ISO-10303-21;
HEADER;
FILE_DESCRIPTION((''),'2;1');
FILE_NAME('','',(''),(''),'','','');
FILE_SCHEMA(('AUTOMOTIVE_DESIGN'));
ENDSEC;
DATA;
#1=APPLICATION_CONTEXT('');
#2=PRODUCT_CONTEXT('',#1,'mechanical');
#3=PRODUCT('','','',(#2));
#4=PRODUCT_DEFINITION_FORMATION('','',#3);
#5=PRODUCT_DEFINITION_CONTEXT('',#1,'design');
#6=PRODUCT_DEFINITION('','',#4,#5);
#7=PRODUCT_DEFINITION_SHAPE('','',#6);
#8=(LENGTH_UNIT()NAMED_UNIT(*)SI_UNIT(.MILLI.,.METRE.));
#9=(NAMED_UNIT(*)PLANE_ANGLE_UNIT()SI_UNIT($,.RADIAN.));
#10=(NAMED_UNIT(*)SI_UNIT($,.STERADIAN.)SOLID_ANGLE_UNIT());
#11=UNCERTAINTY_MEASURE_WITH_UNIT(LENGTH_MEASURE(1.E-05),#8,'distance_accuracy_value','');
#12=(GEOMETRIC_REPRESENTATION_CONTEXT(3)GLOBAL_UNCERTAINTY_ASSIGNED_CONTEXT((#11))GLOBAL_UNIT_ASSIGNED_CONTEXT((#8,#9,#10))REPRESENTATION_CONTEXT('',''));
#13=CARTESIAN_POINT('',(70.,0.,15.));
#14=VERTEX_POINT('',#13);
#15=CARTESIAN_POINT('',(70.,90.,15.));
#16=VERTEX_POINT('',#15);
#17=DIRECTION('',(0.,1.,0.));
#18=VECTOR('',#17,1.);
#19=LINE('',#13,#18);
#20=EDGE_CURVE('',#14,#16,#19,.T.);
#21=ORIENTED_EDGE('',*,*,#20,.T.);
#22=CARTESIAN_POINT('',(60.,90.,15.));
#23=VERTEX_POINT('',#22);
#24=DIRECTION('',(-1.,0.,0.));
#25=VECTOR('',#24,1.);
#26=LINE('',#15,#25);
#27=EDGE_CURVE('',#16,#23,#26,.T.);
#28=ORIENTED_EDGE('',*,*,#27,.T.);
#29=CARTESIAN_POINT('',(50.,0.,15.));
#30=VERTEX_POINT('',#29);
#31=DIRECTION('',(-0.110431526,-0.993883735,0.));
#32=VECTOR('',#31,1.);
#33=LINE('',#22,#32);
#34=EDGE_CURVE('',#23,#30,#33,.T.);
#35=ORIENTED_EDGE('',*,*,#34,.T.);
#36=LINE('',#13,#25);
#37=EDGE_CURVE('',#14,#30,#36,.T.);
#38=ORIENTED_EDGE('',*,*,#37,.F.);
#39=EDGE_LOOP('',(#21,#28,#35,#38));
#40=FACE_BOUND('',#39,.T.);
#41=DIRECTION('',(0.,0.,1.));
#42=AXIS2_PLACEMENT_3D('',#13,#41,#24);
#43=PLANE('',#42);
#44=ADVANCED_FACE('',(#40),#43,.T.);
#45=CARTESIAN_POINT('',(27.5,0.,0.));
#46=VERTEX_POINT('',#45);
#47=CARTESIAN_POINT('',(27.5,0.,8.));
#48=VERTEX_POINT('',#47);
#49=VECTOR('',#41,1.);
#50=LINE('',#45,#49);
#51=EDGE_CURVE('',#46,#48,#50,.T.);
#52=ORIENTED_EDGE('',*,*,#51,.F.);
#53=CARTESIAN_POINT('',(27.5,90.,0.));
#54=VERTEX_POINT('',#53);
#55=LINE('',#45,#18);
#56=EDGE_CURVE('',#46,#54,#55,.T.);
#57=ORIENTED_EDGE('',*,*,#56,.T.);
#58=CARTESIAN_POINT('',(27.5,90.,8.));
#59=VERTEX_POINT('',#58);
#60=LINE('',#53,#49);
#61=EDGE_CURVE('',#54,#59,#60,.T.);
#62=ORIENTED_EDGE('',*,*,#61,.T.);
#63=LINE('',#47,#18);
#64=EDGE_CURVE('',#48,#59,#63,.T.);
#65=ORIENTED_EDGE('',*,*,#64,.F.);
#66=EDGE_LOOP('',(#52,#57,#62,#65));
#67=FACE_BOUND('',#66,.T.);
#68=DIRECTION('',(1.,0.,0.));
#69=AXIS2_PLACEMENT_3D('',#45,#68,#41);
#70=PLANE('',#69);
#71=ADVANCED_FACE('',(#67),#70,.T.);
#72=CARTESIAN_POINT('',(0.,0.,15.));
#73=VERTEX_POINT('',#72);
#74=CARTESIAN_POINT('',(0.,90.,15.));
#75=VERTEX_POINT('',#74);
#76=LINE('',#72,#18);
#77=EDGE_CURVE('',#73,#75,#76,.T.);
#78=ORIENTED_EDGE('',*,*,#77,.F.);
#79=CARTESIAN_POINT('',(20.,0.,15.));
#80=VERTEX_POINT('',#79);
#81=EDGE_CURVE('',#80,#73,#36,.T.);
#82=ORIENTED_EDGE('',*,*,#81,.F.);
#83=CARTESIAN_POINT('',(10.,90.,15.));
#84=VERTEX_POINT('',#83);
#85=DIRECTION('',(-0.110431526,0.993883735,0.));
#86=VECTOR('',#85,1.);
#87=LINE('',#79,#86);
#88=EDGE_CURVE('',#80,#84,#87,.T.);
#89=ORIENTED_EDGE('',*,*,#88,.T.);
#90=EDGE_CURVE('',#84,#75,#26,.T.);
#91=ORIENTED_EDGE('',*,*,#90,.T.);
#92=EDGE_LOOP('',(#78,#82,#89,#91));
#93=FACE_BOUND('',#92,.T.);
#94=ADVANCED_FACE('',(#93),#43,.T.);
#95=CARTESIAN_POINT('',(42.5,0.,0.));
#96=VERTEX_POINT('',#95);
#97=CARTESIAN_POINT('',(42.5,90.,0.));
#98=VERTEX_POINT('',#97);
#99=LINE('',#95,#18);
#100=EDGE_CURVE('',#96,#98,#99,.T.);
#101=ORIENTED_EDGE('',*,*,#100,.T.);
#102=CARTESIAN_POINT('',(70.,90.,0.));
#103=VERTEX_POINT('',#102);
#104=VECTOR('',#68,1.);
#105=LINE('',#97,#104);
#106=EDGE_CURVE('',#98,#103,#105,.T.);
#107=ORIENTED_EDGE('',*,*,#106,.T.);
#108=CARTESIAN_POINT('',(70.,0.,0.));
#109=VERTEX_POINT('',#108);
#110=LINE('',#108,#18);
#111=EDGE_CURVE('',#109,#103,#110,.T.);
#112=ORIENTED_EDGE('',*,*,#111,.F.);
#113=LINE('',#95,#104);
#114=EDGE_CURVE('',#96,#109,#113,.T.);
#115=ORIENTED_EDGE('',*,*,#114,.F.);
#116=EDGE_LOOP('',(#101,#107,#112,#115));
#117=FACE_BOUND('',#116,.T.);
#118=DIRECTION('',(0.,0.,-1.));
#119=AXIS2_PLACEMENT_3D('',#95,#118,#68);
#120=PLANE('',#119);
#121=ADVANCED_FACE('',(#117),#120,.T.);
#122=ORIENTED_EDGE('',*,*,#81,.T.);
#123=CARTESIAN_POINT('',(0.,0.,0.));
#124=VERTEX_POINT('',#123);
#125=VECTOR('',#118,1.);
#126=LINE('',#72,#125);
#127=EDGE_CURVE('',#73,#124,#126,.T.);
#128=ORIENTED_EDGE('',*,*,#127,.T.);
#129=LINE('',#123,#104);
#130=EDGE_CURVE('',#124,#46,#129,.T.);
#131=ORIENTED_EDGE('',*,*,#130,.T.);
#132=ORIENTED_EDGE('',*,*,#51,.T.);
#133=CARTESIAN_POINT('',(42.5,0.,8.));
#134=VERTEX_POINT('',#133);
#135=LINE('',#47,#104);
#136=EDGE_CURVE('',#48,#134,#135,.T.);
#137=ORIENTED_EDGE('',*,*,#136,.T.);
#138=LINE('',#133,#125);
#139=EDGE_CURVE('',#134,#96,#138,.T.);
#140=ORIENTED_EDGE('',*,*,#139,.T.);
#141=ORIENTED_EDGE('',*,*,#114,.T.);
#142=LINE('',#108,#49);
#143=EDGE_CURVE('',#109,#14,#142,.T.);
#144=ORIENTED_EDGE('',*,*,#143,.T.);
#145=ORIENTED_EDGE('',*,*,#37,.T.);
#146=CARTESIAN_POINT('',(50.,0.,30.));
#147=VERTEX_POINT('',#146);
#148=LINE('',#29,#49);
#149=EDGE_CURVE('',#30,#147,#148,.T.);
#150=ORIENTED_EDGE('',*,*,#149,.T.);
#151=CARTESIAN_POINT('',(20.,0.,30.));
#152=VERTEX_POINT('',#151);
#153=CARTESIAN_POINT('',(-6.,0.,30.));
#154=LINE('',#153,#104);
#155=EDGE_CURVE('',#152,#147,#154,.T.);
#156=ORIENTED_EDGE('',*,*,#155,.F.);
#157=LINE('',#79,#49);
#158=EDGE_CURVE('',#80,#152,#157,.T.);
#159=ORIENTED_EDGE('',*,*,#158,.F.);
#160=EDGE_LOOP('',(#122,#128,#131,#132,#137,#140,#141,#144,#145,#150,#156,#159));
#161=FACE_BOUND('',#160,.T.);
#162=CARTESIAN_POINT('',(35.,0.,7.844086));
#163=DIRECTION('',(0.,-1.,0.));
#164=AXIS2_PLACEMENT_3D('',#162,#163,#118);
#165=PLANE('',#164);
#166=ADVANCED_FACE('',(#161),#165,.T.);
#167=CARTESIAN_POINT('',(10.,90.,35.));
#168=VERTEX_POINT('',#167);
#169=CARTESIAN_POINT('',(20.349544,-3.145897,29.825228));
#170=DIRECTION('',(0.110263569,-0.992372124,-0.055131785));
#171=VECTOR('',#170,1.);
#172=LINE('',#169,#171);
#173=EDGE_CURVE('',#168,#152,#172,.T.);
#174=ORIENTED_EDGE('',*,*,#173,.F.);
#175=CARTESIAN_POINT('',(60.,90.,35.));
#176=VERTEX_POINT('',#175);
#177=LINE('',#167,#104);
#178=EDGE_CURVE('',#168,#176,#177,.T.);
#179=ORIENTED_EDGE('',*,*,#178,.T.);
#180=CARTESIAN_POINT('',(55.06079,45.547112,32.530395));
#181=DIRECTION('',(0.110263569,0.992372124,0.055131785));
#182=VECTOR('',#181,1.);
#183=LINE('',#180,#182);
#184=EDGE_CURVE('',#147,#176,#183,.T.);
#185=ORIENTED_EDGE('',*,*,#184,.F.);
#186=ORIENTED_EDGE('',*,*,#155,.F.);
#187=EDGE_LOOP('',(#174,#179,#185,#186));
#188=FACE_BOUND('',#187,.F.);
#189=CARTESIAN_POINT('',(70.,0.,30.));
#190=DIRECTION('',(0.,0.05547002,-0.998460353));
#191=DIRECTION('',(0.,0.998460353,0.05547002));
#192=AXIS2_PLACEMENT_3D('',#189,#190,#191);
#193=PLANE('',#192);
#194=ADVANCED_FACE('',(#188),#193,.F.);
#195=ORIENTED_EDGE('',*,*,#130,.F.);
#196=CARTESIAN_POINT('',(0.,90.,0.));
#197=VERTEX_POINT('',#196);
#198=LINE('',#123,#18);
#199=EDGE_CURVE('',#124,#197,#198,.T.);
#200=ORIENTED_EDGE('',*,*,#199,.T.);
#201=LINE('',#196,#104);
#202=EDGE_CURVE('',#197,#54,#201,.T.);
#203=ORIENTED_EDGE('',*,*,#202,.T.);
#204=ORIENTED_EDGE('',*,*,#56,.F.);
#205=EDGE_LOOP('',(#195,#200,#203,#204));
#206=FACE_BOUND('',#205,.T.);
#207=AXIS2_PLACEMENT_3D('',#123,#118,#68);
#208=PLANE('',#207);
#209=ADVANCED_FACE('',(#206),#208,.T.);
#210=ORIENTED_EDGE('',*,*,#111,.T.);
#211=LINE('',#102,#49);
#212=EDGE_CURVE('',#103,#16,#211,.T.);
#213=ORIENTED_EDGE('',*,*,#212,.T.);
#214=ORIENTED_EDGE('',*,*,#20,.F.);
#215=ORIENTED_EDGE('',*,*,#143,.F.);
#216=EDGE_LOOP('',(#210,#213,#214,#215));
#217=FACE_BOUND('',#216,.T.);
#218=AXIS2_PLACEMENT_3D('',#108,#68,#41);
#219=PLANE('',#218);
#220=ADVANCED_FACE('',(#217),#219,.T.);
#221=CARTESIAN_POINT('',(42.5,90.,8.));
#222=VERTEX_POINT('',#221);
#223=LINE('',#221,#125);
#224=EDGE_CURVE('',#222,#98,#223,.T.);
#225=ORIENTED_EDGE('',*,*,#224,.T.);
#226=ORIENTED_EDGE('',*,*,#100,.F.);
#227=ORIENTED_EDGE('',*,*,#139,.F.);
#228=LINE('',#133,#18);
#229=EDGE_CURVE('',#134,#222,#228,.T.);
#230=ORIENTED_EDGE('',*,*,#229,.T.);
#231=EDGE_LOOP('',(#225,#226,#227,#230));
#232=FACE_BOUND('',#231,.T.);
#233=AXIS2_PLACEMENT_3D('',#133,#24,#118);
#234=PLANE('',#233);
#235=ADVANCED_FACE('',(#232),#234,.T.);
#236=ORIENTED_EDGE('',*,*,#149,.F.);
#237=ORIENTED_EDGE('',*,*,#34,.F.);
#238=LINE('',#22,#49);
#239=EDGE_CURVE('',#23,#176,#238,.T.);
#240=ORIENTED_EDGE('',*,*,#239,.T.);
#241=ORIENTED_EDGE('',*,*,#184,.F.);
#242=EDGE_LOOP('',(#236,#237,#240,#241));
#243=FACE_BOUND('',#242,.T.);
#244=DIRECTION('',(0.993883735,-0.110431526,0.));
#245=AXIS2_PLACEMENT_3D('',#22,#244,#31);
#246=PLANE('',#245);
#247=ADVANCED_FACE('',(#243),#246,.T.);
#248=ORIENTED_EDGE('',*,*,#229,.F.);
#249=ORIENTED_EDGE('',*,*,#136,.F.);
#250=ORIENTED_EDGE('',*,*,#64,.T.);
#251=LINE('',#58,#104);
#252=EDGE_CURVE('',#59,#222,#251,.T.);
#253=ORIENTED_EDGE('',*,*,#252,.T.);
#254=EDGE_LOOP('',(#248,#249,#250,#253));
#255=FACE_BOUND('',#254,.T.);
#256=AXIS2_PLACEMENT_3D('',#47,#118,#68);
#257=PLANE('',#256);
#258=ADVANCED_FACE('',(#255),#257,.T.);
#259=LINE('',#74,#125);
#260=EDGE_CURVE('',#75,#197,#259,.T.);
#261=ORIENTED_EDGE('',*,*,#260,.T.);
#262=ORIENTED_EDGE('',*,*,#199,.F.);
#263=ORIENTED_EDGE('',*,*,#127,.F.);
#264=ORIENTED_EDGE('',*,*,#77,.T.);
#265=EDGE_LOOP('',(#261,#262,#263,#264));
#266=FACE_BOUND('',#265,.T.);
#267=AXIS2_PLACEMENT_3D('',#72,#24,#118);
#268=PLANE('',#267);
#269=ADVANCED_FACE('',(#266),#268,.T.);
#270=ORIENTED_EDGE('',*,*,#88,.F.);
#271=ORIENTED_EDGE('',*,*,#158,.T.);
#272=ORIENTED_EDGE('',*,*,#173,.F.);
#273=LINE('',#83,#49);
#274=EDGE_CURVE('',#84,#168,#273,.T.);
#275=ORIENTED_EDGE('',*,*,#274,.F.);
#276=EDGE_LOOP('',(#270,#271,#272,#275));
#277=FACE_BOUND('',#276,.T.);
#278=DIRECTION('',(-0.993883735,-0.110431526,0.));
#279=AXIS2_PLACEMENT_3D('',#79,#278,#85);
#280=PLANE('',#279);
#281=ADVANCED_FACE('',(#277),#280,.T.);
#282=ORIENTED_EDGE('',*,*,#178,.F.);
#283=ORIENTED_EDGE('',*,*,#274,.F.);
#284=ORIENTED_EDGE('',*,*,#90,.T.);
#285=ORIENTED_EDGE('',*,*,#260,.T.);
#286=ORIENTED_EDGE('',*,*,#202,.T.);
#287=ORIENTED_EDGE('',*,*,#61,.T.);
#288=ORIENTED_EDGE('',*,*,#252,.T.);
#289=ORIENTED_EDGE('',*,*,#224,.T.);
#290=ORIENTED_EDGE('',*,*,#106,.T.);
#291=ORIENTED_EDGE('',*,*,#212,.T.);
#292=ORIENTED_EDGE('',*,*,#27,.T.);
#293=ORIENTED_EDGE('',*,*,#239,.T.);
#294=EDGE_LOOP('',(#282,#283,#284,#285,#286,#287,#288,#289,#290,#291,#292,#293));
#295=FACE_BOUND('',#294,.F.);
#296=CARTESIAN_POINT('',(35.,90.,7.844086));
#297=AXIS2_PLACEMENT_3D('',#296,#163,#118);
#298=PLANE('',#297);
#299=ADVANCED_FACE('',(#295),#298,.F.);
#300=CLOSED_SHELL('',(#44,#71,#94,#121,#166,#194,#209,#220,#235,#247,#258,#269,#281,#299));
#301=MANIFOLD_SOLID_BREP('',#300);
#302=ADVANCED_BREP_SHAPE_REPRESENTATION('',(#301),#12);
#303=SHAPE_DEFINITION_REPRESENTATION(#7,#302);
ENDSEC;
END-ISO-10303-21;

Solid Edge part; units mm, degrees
sketch "Sketch1" plane through (0, 0, 0) normal (0, -1, 0) x (1, 0, 0)
  line L0 (70, 15) -> (0, 15)
  line L1 (0, 15) -> (0, 0)
  line L2 (0, 0) -> (27.5, 0)
  line L3 (27.5, 0) -> (27.5, 8)
  line L4 (27.5, 8) -> (42.5, 8)
  line L5 (42.5, 8) -> (42.5, 0)
  line L6 (42.5, 0) -> (70, 0)
  line L7 (70, 0) -> (70, 15)
extrude "Protrusion1" add sketch "Sketch1" against normal blind 90
sketch "Sketch2" plane through (35, 45, 15) normal (0, 0, 1) x (1, 0, 0)
  line L0 (25, 45) -> (15, -45)
  line L1 (15, -45) -> (-15, -45)
  line L2 (-15, -45) -> (-25, 45)
  line L3 (-25, 45) -> (25, 45)
extrude "ExtrudedProtrusion_3" add sketch "Sketch2" along normal blind 20
extrude "Protrusion2" [suppressed]
sketch "Sketch3" plane through (70, 45, 17.5) normal (1, 0, 0) x (0, 1, 0)
  line L0 (-45, 17.5) -> (-45, 12.5)
  line L1 (-45, 12.5) -> (45, 17.5)
  line L2 (45, 17.5) -> (-45, 17.5)
extrude "ExtrudedCutout_2" cut sketch "Sketch3" against normal blind 76 and the other way blind 76
